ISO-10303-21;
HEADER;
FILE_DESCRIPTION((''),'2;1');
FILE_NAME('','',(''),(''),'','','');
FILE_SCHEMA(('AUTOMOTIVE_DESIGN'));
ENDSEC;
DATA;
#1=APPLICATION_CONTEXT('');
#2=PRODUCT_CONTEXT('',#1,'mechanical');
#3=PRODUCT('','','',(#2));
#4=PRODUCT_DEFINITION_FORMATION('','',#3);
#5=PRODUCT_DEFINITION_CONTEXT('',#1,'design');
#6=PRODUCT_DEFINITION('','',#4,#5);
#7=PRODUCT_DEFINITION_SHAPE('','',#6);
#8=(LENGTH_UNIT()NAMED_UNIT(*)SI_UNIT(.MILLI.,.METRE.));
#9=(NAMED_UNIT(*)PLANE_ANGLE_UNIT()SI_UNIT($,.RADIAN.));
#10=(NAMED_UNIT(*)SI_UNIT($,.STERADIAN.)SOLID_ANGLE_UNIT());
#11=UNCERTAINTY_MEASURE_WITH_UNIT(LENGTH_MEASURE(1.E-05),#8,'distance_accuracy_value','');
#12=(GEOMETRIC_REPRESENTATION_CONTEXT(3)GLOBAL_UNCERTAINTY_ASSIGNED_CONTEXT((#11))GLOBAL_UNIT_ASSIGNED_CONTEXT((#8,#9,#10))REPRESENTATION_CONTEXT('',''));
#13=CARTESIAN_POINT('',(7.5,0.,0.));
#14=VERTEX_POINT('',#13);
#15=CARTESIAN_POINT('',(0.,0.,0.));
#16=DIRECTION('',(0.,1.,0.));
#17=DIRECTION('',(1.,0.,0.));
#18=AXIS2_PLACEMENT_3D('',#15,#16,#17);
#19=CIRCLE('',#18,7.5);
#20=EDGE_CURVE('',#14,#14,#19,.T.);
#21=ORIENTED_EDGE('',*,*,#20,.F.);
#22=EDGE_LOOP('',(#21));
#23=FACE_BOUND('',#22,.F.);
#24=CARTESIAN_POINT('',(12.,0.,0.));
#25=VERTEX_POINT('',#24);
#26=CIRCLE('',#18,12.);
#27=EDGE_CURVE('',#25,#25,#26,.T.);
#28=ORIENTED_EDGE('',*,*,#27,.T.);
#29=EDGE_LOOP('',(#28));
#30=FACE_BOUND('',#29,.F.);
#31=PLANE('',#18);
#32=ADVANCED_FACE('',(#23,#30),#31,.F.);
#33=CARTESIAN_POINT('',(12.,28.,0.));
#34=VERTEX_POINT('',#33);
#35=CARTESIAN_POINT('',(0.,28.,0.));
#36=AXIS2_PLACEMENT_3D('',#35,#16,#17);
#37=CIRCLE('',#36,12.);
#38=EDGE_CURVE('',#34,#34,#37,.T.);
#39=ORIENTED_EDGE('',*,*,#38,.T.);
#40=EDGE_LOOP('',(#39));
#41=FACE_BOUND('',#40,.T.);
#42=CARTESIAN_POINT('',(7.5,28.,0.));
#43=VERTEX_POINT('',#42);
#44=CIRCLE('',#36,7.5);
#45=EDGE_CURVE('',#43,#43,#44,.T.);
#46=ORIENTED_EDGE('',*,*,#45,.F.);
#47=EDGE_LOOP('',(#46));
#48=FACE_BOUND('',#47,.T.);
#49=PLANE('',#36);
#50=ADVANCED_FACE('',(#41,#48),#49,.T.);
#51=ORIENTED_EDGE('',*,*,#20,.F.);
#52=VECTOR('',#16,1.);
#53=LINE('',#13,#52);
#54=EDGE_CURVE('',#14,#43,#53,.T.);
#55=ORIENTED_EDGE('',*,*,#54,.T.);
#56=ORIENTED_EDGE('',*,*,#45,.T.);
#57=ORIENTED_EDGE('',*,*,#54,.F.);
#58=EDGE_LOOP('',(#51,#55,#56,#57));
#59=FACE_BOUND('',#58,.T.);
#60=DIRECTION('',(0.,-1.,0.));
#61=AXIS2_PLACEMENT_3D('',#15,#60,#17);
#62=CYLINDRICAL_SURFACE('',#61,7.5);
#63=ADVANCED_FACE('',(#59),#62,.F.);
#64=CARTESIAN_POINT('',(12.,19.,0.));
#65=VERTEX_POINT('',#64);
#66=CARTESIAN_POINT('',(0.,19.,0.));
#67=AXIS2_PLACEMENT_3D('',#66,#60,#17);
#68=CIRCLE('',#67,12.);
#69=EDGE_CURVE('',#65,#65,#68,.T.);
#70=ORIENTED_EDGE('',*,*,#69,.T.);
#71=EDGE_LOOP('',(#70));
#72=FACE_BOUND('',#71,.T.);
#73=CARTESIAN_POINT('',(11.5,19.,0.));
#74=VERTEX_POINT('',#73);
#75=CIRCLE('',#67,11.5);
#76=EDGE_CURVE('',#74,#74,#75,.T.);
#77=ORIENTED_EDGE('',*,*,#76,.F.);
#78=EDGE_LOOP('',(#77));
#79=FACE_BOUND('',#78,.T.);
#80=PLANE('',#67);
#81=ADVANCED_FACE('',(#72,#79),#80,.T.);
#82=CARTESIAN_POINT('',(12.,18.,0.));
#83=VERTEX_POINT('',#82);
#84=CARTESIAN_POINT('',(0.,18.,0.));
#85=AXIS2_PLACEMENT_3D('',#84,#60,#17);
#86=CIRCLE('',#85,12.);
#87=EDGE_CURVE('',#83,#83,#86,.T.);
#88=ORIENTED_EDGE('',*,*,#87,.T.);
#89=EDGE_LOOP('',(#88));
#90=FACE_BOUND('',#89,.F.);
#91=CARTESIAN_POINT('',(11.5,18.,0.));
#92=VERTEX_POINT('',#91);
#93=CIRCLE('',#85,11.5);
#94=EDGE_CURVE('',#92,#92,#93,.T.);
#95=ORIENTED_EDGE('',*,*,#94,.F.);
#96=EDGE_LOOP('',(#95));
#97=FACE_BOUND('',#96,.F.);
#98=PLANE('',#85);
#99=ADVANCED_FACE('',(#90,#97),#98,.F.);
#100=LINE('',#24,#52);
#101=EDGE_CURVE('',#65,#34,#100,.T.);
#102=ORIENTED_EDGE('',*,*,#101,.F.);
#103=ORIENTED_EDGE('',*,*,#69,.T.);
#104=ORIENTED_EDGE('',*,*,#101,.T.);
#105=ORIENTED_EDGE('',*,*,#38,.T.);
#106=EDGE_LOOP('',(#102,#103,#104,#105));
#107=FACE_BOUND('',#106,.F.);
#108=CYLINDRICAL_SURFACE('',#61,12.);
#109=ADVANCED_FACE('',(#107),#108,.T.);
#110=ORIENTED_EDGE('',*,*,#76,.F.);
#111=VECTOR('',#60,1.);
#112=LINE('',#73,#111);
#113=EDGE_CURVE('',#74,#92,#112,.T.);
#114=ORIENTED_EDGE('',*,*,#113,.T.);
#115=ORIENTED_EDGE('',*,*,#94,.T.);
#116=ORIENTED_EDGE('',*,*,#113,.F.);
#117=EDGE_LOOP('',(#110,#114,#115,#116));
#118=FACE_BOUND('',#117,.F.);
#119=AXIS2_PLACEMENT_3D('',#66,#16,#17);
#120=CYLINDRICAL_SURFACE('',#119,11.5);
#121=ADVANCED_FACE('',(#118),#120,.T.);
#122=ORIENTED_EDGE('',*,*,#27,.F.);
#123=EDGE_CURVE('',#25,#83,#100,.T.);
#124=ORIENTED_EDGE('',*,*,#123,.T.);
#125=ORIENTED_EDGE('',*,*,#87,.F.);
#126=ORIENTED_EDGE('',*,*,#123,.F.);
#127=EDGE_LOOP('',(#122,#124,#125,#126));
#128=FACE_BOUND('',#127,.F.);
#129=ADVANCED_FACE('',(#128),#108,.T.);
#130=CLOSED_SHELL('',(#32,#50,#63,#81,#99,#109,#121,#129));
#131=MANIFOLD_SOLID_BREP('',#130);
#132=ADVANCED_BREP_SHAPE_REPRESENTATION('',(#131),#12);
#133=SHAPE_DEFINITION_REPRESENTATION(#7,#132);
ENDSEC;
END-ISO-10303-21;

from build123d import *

# Parameters (mm, degrees)
SKIZZE1_R                       = 12
SKIZZE1_R_2                     = 7.5
AUFSATZ_LINEAR_AUSTRAGEN1_DEPTH = 28
SCHNITT_LINEAR_START            = 9
SKIZZE2_R                       = 12
SKIZZE2_R_2                     = 11.5
SCHNITT_LINEAR_AUSTRAGEN1_DEPTH = 1


with BuildPart() as part:
    # Skizze1 → Aufsatz-Linear austragen1 (new body)
    with BuildSketch(Plane(origin=(0, 0, 0), x_dir=(1, 0, 0), z_dir=(0, 1, 0))):
        Circle(SKIZZE1_R)
        Circle(SKIZZE1_R_2, mode=Mode.SUBTRACT)
    extrude(amount=AUFSATZ_LINEAR_AUSTRAGEN1_DEPTH)

    # Skizze2 → Schnitt-Linear austragen1 (cut)
    with BuildSketch(Plane.XZ.offset(-28).offset(SCHNITT_LINEAR_START)):
        Circle(SKIZZE2_R)
        Circle(SKIZZE2_R_2, mode=Mode.SUBTRACT)
    extrude(amount=SCHNITT_LINEAR_AUSTRAGEN1_DEPTH, mode=Mode.SUBTRACT)


solid = part.part
